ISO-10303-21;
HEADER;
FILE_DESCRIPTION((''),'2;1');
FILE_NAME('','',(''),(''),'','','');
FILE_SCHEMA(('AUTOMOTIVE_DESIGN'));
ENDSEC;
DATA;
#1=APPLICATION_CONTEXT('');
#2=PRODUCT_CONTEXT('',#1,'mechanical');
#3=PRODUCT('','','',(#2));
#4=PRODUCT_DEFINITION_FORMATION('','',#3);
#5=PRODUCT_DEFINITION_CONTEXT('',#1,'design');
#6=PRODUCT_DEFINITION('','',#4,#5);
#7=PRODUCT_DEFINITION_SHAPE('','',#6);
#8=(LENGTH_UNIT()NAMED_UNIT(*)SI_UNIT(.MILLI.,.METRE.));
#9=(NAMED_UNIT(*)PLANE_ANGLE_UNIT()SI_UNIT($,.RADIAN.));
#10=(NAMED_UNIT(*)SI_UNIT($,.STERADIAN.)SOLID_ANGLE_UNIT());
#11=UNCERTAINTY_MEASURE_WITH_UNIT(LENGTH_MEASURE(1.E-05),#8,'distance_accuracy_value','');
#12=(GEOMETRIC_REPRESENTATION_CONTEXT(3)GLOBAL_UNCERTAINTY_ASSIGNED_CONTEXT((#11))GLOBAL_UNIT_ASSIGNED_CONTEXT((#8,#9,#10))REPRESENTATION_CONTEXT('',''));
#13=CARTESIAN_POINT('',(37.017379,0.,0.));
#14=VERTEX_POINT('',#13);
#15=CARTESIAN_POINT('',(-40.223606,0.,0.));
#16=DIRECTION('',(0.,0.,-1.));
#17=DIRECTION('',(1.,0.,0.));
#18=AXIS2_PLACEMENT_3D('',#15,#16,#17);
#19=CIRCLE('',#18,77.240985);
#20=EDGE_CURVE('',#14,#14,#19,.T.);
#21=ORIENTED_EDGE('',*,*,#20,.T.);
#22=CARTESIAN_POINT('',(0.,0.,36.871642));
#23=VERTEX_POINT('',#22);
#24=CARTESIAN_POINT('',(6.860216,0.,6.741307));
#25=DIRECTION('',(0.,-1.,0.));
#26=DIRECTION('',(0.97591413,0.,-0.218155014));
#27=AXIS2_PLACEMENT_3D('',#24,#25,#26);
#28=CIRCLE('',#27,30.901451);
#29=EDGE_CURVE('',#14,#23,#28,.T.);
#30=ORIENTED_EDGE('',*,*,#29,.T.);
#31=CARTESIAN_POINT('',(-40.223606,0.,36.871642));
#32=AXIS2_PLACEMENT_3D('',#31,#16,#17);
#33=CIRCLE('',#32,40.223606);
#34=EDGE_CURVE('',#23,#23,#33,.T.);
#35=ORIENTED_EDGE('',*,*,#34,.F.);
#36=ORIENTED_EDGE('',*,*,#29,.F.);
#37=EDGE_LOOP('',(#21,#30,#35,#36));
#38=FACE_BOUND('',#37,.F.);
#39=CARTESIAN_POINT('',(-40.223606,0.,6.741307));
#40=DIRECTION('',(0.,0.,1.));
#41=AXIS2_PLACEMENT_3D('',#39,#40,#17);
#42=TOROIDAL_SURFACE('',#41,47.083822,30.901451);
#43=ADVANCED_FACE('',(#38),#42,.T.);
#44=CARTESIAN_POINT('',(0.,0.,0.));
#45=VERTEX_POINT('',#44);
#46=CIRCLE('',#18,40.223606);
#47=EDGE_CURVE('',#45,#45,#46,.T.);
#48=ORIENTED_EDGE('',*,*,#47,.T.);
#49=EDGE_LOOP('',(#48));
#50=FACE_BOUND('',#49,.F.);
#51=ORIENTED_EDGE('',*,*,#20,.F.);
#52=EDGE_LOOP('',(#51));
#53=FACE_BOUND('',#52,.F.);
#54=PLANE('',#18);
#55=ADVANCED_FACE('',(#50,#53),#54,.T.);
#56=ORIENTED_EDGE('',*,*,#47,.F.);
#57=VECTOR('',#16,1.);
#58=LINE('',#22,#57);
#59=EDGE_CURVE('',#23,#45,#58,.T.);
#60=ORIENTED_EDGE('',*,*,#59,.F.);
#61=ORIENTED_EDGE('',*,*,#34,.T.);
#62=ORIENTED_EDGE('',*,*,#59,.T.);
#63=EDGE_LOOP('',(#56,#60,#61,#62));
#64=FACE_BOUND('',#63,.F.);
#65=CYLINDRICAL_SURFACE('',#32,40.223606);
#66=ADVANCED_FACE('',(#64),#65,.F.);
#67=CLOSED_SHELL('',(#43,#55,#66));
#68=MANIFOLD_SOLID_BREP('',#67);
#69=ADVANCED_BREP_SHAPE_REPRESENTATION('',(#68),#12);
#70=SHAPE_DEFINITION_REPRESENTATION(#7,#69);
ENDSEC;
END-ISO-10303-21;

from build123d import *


with BuildPart() as f1:
    # F0 (on Front) → F1 (revolve)
    with BuildSketch(Plane.XZ):
        with BuildLine():
            ThreePointArc((37.017379, 0), (28.667702, 28.634987), (0, 36.871642))
            Line((0, 36.871642), (0, 0))
            Line((0, 0), (37.017379, 0))
        make_face()
    revolve(axis=Axis((-40.223606, 0, 8.452788), (0, 0, -1)))


solid = f1.part
